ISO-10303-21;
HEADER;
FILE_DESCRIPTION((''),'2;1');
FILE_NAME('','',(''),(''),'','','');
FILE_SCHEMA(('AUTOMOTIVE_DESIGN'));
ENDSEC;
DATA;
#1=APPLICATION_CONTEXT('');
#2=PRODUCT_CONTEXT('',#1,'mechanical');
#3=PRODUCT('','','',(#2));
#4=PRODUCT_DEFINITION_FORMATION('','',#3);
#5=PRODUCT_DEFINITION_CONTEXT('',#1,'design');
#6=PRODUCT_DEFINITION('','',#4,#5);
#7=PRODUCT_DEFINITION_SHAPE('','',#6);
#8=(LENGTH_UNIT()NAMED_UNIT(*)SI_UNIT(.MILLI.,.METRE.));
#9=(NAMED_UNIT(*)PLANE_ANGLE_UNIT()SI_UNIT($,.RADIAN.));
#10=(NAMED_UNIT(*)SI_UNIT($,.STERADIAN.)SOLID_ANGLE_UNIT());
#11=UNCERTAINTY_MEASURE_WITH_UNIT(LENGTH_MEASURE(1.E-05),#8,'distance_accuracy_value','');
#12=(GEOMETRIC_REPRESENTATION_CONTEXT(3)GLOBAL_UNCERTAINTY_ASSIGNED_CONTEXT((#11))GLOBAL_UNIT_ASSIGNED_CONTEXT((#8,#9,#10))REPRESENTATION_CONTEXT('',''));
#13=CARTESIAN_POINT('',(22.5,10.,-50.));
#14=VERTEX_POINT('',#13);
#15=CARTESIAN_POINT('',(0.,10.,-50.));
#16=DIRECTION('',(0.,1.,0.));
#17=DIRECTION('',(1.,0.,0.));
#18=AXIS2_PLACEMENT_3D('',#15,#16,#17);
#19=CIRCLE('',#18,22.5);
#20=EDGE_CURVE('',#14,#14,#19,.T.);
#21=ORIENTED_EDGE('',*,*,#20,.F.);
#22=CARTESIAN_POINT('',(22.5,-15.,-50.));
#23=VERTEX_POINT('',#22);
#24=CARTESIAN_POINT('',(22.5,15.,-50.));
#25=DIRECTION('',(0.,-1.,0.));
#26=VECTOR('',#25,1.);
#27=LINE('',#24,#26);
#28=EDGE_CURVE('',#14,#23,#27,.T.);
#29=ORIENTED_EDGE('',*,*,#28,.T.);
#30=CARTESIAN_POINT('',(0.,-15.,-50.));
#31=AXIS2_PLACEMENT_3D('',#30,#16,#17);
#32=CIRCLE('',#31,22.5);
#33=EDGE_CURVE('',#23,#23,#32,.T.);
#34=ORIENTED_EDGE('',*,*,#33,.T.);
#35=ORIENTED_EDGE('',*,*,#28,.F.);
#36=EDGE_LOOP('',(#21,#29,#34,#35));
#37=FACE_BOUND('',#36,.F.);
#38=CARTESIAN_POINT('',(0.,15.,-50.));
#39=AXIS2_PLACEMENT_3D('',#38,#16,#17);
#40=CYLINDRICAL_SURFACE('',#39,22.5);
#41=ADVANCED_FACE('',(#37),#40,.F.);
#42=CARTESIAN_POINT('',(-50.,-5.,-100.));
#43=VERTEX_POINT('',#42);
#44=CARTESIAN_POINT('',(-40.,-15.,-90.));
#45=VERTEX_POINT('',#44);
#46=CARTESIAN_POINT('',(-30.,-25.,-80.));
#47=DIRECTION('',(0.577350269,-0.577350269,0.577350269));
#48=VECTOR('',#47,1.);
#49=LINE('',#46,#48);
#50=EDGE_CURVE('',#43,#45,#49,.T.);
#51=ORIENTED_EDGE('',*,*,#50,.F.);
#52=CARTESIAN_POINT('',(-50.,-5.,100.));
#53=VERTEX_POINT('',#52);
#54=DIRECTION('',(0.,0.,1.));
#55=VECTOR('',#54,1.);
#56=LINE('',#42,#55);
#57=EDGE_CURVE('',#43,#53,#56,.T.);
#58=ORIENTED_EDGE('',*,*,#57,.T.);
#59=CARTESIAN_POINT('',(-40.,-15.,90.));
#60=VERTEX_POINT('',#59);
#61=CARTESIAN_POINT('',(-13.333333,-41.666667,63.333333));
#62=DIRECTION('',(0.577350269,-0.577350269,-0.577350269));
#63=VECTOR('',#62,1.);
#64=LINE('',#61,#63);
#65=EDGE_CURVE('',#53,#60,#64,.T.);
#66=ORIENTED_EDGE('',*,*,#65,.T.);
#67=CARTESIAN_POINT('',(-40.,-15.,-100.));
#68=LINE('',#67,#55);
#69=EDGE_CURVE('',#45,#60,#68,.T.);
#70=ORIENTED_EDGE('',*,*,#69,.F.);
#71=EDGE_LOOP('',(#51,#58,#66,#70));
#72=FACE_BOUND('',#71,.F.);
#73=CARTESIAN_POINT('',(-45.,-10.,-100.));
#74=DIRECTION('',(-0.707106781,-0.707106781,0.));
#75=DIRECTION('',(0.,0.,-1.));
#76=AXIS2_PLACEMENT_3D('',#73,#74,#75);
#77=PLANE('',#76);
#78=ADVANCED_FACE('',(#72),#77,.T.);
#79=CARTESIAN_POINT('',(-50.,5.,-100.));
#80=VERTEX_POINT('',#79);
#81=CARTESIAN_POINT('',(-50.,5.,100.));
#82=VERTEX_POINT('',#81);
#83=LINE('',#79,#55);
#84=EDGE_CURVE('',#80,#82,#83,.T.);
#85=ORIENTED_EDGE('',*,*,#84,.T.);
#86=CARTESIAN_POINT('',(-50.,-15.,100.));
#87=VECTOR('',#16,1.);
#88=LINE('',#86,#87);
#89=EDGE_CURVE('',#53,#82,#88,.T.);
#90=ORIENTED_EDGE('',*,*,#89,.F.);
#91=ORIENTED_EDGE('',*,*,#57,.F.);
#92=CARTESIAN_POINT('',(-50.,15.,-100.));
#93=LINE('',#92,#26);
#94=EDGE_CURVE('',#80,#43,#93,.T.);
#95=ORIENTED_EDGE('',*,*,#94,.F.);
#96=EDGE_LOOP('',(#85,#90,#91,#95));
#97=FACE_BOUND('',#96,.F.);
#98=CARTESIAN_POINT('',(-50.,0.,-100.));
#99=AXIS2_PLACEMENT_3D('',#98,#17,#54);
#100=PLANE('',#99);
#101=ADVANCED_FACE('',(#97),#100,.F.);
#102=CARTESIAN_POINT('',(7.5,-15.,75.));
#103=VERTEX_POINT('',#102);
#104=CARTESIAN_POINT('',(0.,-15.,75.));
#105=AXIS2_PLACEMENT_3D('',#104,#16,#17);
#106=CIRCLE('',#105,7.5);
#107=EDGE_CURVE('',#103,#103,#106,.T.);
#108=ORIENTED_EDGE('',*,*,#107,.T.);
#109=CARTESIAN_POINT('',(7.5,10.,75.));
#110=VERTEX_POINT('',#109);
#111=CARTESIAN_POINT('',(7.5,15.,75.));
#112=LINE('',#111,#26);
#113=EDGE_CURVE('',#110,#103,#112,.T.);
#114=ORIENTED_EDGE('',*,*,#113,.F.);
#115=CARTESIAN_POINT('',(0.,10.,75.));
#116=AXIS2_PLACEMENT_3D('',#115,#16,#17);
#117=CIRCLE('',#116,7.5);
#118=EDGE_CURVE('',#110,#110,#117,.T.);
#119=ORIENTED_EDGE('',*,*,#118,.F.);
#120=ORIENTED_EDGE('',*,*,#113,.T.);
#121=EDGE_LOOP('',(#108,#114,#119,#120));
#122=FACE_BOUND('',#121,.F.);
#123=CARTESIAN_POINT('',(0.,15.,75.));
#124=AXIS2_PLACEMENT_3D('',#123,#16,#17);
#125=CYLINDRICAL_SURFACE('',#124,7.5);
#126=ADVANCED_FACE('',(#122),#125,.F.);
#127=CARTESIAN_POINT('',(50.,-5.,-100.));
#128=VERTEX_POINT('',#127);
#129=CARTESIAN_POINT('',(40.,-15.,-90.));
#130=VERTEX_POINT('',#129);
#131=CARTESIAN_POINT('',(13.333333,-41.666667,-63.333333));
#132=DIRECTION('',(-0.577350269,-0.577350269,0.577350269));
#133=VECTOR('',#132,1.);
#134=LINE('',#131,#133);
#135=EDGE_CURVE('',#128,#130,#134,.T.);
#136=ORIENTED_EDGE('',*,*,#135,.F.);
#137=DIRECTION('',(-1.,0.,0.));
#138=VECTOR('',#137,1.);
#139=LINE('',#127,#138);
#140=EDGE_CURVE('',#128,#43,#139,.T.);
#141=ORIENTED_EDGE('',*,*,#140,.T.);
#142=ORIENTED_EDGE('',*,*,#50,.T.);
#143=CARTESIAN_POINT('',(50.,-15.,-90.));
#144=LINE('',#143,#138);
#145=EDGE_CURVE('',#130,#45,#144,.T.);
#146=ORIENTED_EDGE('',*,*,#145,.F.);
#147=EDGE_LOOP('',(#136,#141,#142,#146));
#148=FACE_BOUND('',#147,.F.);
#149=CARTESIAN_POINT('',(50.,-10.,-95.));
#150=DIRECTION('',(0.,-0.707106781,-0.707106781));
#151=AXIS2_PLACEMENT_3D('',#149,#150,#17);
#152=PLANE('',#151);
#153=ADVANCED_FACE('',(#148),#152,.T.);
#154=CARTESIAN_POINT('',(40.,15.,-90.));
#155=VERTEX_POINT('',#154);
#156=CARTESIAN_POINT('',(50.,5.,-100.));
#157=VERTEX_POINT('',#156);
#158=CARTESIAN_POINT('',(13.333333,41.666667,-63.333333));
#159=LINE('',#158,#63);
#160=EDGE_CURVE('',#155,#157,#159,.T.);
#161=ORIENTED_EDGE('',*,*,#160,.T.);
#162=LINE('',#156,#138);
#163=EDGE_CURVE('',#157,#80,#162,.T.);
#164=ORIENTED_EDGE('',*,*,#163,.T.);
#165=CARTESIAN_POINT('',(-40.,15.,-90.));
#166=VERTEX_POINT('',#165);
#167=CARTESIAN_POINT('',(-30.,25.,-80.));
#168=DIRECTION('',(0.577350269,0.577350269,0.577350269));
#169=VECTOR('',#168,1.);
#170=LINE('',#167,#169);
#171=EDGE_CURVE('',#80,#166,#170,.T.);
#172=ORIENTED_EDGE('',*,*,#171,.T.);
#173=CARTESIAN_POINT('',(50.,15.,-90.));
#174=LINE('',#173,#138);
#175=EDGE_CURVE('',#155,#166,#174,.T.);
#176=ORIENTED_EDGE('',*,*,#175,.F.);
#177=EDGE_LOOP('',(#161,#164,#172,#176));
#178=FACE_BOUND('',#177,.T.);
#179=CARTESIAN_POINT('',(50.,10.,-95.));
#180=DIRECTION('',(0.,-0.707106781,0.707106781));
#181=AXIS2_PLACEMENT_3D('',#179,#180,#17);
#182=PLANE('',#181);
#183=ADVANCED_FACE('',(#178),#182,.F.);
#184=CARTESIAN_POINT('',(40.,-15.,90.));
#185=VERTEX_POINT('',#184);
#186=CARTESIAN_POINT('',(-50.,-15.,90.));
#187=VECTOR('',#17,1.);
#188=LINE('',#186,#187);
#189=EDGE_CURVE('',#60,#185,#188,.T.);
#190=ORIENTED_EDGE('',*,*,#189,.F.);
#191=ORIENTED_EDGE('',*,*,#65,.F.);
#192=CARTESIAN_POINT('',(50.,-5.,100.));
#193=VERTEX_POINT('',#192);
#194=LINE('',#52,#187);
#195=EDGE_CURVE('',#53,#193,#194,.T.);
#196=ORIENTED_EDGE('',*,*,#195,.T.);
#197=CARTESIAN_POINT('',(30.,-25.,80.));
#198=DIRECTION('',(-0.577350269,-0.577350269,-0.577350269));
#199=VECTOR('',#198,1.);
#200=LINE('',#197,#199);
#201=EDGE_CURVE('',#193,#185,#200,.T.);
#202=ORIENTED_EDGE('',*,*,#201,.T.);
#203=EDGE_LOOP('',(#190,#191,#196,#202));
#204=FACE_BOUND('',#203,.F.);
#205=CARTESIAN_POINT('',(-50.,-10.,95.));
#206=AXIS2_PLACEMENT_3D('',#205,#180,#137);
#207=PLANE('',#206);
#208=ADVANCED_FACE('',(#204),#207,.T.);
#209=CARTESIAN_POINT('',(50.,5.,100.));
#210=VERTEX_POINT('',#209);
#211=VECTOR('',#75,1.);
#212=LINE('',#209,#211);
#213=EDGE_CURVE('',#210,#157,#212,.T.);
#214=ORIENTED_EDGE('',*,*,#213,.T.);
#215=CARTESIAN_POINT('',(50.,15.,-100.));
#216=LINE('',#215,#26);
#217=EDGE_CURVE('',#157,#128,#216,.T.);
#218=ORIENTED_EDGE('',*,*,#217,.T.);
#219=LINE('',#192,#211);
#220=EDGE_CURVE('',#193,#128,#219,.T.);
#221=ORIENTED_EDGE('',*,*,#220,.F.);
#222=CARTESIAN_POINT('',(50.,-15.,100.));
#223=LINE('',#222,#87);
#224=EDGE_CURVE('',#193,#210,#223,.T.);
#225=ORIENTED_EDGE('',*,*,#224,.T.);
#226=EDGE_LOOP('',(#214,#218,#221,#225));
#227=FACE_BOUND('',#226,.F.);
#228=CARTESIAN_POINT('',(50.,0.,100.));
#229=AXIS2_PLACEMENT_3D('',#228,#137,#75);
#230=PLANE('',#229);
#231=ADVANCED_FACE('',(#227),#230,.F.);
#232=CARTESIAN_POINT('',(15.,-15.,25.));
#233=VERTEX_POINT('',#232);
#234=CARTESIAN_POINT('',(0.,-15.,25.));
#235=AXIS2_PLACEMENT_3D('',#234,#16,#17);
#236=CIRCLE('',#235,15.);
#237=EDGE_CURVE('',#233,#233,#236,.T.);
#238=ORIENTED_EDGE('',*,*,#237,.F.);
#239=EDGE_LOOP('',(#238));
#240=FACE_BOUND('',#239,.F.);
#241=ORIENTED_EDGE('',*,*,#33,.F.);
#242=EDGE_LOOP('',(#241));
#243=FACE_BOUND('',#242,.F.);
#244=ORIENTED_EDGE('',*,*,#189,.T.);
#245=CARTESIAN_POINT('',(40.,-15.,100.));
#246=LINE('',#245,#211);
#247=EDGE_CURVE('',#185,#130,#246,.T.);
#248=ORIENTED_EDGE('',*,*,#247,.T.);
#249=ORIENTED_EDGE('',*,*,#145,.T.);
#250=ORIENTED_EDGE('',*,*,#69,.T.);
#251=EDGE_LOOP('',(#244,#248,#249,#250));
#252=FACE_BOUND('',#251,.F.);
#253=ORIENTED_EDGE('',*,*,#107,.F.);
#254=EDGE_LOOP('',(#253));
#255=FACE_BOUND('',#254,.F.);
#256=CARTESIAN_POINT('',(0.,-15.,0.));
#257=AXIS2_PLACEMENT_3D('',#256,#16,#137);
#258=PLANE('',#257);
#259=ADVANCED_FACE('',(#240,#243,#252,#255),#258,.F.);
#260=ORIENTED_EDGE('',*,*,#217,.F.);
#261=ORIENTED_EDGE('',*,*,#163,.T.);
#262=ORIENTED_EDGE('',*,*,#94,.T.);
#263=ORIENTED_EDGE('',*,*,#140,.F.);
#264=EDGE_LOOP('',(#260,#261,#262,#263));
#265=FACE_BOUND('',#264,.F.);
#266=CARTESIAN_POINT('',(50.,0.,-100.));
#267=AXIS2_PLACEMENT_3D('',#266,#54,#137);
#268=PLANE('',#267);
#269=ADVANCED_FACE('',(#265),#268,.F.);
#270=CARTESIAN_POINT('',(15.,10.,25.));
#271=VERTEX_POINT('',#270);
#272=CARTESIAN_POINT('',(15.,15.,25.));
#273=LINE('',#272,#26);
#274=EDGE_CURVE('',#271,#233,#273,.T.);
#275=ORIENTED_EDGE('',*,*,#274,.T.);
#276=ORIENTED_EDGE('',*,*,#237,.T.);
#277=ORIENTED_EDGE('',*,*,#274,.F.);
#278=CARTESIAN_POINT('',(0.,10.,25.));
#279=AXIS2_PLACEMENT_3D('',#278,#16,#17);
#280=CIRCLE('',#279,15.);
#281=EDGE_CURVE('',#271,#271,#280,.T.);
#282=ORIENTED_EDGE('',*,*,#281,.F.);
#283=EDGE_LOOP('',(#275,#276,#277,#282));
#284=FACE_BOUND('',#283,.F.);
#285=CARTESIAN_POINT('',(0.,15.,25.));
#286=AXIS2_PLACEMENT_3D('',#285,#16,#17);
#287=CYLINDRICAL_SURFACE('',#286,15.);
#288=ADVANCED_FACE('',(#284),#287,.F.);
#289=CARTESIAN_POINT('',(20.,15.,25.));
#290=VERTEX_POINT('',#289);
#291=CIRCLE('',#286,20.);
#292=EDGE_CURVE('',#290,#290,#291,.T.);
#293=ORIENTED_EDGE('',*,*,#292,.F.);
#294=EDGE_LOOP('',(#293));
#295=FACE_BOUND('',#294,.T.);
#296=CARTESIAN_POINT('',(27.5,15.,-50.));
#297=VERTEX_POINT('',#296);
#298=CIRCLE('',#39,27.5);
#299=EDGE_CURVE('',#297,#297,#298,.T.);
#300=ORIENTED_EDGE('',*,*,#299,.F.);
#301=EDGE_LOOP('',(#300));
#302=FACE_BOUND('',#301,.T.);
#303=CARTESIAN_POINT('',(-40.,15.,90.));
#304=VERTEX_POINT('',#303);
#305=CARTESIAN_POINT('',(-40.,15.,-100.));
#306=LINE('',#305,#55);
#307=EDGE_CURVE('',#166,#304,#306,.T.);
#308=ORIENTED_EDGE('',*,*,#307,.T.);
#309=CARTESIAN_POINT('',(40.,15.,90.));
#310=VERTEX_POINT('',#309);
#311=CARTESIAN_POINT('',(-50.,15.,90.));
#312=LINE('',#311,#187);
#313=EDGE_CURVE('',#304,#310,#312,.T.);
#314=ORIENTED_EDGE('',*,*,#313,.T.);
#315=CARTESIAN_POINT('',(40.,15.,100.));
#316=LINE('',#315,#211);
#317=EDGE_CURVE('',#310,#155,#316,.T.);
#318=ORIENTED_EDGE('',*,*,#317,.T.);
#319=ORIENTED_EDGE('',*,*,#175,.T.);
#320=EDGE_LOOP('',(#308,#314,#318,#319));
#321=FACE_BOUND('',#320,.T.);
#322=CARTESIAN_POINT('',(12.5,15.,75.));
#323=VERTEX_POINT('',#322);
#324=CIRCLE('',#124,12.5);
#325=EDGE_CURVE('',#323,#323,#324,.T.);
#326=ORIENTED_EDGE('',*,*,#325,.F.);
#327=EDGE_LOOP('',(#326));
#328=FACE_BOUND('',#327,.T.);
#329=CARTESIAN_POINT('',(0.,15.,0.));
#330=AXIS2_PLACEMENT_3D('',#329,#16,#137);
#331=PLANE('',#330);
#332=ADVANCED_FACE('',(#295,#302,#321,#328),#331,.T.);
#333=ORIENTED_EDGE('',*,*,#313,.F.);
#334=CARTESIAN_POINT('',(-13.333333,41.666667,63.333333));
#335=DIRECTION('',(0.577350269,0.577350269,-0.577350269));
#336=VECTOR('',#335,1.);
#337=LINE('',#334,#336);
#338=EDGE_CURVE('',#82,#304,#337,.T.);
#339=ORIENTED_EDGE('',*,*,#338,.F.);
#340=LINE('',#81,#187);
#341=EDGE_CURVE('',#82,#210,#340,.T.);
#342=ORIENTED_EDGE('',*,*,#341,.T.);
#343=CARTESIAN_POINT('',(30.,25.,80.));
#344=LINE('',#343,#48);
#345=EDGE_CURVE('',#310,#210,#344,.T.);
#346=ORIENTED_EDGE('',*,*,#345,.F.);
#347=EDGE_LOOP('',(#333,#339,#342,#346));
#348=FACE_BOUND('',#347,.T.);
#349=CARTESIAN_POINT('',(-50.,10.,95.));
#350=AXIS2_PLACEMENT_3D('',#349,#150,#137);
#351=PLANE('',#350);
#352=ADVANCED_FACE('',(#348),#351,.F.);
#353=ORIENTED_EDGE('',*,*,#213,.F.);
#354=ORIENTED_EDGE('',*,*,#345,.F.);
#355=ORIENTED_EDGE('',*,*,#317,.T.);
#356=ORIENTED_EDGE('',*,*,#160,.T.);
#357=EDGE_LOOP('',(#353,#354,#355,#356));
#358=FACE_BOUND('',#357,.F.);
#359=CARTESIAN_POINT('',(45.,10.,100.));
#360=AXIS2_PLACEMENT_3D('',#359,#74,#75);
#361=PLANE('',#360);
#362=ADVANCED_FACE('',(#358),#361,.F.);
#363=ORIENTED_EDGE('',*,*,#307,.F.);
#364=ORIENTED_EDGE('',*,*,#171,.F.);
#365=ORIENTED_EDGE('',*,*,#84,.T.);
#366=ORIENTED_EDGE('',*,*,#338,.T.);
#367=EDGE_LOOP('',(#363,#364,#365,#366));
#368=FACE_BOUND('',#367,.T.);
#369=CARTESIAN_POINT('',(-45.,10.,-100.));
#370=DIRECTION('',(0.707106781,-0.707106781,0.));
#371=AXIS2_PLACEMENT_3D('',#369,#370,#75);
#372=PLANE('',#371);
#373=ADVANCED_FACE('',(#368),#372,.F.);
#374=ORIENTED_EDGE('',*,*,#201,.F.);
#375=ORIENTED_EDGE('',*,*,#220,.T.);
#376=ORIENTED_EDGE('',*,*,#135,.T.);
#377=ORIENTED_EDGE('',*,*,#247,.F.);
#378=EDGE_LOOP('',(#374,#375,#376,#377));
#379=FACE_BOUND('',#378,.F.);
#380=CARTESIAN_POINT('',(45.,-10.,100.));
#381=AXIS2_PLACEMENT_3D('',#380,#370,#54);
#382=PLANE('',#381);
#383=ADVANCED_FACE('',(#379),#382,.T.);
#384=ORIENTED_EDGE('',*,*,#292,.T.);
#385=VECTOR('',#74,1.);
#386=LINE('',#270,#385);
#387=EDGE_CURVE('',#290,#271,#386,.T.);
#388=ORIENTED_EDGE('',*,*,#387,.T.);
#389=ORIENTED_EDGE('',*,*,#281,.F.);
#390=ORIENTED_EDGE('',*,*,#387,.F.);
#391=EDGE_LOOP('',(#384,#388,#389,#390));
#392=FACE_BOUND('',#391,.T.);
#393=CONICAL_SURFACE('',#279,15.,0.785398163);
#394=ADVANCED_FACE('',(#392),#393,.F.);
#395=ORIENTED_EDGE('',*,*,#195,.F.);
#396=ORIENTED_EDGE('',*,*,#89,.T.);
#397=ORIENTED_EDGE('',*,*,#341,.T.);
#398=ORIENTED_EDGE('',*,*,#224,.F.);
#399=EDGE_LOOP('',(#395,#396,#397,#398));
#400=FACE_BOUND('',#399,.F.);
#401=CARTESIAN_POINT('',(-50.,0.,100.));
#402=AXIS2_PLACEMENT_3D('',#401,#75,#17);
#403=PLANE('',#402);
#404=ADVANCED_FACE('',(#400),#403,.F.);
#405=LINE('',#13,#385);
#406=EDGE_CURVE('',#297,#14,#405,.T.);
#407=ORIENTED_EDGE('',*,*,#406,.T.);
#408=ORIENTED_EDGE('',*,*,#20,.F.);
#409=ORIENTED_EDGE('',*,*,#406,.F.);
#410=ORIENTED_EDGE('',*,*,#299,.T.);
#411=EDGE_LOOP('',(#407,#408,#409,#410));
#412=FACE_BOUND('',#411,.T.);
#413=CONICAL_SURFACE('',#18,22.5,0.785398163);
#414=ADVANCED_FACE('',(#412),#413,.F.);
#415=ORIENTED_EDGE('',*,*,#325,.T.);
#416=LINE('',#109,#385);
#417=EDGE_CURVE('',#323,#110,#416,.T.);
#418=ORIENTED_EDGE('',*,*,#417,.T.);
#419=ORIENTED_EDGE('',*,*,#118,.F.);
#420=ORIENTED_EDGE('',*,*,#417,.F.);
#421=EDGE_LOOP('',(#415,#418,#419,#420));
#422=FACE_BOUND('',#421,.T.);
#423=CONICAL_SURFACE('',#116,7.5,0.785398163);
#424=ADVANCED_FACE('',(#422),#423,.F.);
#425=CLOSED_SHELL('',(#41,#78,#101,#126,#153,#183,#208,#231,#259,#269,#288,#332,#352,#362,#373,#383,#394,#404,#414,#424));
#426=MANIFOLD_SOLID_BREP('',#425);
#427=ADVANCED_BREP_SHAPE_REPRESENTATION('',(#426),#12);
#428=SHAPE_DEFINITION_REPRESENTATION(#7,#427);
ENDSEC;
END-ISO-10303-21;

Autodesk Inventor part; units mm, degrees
ref_plane "YZ Plane" through (0, 0, 0) normal (1, 0, 0) x (0, 1, 0)
ref_plane "XZ Plane" through (0, 0, 0) normal (0, 1, 0) x (-1, 0, 0)
ref_plane "XY Plane" through (0, 0, 0) normal (0, 0, 1) x (1, 0, 0)
sketch "草圖1" plane through (0, 0, 0) normal (0, 1, 0) x (-1, 0, 0)
  line L0 (50, 100) -> (-50, 100)
  line L1 (-50, 100) -> (-50, -100)
  line L2 (-50, -100) -> (50, -100)
  line L3 (50, -100) -> (50, 100)
  point P0 (0, 0)
  point P1 (0, 100)
  point P2 (50, 0)
  dimension "d0" = 200
  dimension "d1" = 100
extrude "擠出1" add sketch "草圖1" along normal mid plane 30
chamfer "倒角1" distance 10 angle 45 8 edges at (50, 15, 0) (0, 15, 100) (-50, 15, 0) (0, 15, -100) (0, -15, -100) (50, -15, 0) (-50, -15, 0) (0, -15, 100)
sketch "草圖2" plane through (0, 15, 0) normal (0, 1, 0) x (1, 0, 0)
  line L0 (-40, -90) -> (-40, 90) construction
  line L1 (40, -90) -> (-40, -90) construction
  line L2 (40, 90) -> (40, -90) construction
  line L3 (-40, 90) -> (40, 90) construction
  circle A0 centre (0, 50) radius 22.5
  circle A1 centre (0, -25) radius 15
  circle A2 centre (0, -75) radius 7.5
  line L4 (-50, -100) -> (50, -100) projected
  point P0 (0, 0)
  dimension "d7" = 45
  dimension "d8" = 30
  dimension "d9" = 15
  dimension "d10" = 25
  dimension "d11" = 50
  dimension "d12" = 75
extrude "擠出2" cut sketch "草圖2" against normal through all
chamfer "倒角2" distance 5 angle 45 3 edges at (-7.5, 15, 75) (-15, 15, 25) (-22.5, 15, -50)
properties part number "P5"
